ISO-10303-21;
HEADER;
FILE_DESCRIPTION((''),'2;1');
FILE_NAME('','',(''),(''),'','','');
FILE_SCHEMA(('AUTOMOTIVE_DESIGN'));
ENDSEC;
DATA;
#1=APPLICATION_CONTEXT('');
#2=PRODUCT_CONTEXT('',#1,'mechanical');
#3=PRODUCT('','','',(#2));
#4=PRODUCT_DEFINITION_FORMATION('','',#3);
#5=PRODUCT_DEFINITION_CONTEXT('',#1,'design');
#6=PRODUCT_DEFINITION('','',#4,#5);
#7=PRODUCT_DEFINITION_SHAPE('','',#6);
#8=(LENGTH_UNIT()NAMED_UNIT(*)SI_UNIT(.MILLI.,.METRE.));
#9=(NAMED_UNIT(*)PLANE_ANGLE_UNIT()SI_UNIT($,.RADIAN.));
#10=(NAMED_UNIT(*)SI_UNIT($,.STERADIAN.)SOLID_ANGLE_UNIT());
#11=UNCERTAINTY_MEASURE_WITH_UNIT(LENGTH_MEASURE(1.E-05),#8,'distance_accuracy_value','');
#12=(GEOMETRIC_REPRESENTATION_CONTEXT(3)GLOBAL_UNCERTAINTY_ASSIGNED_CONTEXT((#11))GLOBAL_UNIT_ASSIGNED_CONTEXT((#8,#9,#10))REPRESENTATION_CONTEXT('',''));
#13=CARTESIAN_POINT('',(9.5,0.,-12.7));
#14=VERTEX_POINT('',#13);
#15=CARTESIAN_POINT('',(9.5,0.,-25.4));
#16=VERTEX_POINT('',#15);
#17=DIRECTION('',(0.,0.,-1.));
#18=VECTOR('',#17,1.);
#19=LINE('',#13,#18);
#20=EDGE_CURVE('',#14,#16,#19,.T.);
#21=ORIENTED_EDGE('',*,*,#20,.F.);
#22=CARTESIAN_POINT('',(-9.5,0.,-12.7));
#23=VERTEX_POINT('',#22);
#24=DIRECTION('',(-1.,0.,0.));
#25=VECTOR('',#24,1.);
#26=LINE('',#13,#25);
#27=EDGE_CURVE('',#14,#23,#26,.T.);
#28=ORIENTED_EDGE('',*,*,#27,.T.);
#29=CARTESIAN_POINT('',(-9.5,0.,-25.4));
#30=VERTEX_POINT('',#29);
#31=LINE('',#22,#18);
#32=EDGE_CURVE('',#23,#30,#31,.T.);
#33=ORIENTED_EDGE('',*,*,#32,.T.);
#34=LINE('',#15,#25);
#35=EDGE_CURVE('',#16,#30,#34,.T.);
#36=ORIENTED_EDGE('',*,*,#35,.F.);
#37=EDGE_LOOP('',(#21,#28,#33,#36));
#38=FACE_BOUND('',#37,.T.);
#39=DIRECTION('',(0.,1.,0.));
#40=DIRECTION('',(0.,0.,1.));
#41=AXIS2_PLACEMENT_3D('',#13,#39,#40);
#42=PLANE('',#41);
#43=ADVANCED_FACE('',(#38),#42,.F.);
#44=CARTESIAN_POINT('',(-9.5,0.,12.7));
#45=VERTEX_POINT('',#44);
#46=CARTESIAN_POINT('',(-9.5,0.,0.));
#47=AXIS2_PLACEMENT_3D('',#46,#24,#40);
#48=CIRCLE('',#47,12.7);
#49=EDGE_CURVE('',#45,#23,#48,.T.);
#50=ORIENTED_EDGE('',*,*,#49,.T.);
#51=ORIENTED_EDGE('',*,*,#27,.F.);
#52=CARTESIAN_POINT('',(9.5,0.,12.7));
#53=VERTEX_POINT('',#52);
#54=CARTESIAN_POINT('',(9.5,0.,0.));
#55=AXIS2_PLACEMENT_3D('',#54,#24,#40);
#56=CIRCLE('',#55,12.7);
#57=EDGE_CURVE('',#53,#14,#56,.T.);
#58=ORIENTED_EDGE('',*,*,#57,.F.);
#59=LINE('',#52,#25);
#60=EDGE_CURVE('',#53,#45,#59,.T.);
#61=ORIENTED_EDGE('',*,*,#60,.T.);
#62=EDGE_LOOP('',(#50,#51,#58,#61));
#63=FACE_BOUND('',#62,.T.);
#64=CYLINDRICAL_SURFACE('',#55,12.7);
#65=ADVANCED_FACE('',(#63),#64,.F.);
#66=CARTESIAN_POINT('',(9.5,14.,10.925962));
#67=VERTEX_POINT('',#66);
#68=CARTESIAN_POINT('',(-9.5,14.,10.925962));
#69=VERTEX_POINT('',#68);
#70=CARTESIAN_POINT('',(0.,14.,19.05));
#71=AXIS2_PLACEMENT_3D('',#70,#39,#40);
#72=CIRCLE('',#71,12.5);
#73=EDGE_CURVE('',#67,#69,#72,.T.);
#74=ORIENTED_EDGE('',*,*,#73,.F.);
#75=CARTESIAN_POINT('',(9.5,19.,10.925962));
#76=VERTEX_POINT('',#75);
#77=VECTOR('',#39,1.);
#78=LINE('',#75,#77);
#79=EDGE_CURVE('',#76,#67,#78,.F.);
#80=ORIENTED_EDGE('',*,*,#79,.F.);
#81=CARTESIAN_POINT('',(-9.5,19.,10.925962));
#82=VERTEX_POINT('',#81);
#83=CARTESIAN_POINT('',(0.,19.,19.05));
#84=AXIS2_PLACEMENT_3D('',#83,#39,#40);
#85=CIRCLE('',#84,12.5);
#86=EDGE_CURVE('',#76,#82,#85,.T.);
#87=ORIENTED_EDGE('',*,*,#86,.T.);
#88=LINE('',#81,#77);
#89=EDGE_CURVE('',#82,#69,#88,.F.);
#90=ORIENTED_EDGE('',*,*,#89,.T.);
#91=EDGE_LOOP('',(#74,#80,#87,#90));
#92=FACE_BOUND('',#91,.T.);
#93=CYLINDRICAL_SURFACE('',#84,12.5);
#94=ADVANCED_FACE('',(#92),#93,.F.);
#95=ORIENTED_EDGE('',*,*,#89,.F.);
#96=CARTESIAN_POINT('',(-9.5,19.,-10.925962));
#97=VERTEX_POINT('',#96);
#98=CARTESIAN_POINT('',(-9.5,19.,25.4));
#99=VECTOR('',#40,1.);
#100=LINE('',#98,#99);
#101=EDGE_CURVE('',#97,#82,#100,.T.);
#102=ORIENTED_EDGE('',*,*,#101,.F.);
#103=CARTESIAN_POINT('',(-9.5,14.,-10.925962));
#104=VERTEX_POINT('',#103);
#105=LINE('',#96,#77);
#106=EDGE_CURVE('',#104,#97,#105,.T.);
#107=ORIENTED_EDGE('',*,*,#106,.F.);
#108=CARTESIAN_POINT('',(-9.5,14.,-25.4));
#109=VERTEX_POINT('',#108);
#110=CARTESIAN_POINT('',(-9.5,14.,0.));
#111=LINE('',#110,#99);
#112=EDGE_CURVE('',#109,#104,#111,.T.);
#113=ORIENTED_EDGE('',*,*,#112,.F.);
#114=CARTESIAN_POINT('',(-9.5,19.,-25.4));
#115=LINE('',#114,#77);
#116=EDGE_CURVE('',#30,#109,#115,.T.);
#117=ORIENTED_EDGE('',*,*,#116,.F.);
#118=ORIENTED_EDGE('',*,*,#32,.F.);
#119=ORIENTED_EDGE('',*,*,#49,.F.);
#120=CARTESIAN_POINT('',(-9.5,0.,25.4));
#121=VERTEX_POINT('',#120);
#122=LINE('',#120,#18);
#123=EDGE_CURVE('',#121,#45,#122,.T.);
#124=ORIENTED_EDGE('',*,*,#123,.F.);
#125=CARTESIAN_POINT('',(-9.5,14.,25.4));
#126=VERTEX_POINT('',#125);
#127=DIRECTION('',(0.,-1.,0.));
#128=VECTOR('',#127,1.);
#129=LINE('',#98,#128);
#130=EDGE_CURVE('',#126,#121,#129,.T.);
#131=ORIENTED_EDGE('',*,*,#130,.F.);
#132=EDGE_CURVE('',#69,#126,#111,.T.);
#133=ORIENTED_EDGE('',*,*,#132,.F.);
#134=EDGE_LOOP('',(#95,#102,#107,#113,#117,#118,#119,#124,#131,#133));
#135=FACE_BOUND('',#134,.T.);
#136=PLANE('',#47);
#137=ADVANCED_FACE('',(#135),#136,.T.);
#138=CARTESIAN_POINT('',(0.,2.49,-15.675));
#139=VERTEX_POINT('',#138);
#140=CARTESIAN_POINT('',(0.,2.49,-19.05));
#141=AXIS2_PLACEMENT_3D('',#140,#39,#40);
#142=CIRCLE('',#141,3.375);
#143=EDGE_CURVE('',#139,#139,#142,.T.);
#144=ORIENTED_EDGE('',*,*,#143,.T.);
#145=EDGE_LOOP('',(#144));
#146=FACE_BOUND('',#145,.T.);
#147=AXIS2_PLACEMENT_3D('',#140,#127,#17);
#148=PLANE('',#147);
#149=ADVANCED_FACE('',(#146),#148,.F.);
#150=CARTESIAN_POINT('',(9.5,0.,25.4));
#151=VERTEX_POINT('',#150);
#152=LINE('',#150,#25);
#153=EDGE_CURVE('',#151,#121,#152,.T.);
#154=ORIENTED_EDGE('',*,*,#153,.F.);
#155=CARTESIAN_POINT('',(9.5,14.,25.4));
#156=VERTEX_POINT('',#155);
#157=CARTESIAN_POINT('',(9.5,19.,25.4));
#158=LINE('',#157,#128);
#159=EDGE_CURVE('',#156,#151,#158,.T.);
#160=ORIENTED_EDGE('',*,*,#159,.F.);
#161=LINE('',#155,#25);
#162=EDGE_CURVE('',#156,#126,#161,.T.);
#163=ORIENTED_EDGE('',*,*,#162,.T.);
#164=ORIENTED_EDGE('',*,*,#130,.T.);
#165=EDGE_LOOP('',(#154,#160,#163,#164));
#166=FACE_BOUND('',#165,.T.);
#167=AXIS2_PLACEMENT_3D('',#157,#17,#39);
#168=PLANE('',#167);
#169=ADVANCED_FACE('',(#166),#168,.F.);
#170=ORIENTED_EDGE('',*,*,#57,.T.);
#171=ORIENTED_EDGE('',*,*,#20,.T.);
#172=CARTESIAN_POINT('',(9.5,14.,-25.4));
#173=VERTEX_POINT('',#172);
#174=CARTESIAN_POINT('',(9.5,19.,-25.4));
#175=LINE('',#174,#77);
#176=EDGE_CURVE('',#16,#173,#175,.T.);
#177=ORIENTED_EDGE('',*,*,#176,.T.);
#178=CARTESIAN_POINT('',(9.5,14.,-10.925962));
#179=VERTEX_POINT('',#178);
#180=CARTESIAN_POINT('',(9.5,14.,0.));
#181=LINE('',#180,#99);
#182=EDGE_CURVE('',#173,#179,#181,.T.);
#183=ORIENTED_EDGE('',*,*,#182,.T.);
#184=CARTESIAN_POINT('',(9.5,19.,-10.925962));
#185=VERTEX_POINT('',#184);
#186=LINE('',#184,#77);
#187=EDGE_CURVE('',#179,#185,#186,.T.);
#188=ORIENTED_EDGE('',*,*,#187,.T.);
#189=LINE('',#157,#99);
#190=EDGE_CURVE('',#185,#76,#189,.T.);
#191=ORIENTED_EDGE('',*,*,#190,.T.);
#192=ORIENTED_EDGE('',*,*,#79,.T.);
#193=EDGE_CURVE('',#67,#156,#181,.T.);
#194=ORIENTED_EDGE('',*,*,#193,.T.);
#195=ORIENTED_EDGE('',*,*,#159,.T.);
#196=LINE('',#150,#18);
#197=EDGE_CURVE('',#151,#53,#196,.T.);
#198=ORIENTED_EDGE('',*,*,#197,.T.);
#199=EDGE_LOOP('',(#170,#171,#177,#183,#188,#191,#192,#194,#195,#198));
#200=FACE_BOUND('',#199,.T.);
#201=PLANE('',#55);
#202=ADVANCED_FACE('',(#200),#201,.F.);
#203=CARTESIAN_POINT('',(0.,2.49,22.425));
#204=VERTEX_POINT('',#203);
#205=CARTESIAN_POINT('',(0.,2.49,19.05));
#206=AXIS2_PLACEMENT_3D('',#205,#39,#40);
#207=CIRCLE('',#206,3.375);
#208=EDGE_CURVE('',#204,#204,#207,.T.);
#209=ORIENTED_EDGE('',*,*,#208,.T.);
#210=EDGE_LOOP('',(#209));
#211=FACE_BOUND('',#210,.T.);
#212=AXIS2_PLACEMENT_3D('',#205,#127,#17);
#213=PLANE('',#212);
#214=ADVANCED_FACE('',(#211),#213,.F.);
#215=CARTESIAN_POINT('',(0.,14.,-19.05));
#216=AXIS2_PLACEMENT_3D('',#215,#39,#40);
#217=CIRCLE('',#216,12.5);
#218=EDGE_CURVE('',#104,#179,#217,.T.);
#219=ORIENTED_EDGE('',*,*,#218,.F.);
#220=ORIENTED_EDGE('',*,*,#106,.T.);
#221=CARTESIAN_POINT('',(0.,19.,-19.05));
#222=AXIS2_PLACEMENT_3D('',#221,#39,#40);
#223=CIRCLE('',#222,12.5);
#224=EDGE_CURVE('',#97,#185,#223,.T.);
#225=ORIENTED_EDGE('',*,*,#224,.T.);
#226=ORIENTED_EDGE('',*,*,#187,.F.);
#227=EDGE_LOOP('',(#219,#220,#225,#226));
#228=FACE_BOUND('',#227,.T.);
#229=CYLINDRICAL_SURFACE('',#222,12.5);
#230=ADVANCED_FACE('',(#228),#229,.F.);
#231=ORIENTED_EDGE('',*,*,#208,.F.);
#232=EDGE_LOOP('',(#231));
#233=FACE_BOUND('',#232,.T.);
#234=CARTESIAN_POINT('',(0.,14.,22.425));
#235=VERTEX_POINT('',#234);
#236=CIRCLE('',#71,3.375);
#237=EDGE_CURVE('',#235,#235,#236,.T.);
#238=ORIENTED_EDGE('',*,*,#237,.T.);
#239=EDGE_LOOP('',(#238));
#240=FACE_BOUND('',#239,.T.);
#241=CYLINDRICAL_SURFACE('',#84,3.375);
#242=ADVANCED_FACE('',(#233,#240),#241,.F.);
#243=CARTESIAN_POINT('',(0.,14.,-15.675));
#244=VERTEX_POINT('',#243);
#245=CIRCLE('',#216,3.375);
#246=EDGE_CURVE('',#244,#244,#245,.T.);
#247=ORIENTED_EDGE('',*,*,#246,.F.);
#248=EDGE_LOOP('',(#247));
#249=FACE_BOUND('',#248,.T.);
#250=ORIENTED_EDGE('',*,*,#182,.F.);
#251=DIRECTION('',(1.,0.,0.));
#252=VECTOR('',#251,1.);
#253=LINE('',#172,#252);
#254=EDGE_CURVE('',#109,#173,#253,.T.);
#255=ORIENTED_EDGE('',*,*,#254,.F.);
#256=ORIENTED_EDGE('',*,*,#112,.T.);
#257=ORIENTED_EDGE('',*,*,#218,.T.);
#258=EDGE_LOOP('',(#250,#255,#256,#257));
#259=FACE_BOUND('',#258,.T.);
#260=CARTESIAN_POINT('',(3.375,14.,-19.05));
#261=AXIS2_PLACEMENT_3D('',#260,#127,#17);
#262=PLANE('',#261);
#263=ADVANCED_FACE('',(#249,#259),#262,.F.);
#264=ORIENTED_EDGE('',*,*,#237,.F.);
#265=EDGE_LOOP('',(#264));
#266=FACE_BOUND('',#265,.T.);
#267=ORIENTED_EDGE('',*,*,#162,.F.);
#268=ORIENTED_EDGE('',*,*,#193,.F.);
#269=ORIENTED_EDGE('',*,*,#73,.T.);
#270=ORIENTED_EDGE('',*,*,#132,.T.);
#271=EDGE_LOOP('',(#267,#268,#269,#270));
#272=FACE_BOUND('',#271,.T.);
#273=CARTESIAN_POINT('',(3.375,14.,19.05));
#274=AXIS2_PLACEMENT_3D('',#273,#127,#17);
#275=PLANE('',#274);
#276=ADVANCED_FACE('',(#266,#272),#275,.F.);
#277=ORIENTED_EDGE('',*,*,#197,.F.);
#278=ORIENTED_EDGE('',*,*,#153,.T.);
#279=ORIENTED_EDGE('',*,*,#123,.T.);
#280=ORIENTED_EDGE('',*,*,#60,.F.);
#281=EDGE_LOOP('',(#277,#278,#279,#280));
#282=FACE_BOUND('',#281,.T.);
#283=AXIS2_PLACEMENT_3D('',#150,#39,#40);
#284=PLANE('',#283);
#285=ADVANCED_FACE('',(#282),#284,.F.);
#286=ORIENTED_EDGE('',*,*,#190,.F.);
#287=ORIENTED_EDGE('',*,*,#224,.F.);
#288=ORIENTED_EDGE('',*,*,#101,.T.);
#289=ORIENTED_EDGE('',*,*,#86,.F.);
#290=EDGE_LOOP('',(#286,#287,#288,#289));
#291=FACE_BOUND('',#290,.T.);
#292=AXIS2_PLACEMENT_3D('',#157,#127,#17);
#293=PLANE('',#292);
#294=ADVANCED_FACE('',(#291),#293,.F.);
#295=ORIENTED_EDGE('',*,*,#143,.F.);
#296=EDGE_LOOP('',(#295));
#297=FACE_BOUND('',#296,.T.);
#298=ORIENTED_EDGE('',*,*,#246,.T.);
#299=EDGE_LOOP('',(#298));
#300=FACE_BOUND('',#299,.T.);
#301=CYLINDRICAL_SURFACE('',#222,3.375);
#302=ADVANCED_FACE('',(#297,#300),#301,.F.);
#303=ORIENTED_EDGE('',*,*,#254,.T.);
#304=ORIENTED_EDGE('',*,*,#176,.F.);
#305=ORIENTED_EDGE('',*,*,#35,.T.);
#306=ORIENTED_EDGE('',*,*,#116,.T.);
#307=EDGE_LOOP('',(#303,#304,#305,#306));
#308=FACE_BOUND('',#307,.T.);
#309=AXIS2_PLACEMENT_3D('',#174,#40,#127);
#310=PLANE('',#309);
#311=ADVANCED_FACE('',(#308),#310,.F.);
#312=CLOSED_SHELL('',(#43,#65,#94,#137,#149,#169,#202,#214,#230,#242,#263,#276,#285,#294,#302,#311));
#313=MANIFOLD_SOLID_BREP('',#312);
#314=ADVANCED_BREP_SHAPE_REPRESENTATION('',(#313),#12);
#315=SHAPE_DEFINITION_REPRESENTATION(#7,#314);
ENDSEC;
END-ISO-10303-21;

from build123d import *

# Parameters (mm, degrees)
BOSS_EXTRUDE1_DEPTH                           = 9.5
CBORE_FOR_M12_HEX_HEAD_CAP_SCREW1_D           = 6.75
CBORE_FOR_M12_HEX_HEAD_CAP_SCREW1_DEPTH       = 16.51
CBORE_FOR_M12_HEX_HEAD_CAP_SCREW1_CBORE_D     = 25
CBORE_FOR_M12_HEX_HEAD_CAP_SCREW1_CBORE_DEPTH = 5


with BuildPart() as part:
    # Sketch1 → Boss-Extrude1 (new, symmetric)
    with BuildSketch(Plane(origin=(0, 0, 0), x_dir=(0, 0, -1), z_dir=(1, 0, 0))):
        with BuildLine():
            Line((12.7, 0), (25.4, 0))
            Line((25.4, 0), (25.4, 19))
            Line((25.4, 19), (-25.4, 19))
            Line((-25.4, 19), (-25.4, 0))
            Line((-25.4, 0), (-12.7, 0))
            ThreePointArc((-12.7, 0), (0, 12.7), (12.7, 0))
        make_face()
    extrude(amount=BOSS_EXTRUDE1_DEPTH, both=True)

    # CBORE for M12 Hex Head Cap Screw1
    with Locations(Plane(origin=(0, 19, 0), x_dir=(1, 0, 0), z_dir=(0, 1, 0))):
        with Locations((0, 19.05), (0, -19.05)):
            CounterBoreHole(CBORE_FOR_M12_HEX_HEAD_CAP_SCREW1_D / 2, CBORE_FOR_M12_HEX_HEAD_CAP_SCREW1_CBORE_D / 2, CBORE_FOR_M12_HEX_HEAD_CAP_SCREW1_CBORE_DEPTH, depth=CBORE_FOR_M12_HEX_HEAD_CAP_SCREW1_DEPTH)


solid = part.part
